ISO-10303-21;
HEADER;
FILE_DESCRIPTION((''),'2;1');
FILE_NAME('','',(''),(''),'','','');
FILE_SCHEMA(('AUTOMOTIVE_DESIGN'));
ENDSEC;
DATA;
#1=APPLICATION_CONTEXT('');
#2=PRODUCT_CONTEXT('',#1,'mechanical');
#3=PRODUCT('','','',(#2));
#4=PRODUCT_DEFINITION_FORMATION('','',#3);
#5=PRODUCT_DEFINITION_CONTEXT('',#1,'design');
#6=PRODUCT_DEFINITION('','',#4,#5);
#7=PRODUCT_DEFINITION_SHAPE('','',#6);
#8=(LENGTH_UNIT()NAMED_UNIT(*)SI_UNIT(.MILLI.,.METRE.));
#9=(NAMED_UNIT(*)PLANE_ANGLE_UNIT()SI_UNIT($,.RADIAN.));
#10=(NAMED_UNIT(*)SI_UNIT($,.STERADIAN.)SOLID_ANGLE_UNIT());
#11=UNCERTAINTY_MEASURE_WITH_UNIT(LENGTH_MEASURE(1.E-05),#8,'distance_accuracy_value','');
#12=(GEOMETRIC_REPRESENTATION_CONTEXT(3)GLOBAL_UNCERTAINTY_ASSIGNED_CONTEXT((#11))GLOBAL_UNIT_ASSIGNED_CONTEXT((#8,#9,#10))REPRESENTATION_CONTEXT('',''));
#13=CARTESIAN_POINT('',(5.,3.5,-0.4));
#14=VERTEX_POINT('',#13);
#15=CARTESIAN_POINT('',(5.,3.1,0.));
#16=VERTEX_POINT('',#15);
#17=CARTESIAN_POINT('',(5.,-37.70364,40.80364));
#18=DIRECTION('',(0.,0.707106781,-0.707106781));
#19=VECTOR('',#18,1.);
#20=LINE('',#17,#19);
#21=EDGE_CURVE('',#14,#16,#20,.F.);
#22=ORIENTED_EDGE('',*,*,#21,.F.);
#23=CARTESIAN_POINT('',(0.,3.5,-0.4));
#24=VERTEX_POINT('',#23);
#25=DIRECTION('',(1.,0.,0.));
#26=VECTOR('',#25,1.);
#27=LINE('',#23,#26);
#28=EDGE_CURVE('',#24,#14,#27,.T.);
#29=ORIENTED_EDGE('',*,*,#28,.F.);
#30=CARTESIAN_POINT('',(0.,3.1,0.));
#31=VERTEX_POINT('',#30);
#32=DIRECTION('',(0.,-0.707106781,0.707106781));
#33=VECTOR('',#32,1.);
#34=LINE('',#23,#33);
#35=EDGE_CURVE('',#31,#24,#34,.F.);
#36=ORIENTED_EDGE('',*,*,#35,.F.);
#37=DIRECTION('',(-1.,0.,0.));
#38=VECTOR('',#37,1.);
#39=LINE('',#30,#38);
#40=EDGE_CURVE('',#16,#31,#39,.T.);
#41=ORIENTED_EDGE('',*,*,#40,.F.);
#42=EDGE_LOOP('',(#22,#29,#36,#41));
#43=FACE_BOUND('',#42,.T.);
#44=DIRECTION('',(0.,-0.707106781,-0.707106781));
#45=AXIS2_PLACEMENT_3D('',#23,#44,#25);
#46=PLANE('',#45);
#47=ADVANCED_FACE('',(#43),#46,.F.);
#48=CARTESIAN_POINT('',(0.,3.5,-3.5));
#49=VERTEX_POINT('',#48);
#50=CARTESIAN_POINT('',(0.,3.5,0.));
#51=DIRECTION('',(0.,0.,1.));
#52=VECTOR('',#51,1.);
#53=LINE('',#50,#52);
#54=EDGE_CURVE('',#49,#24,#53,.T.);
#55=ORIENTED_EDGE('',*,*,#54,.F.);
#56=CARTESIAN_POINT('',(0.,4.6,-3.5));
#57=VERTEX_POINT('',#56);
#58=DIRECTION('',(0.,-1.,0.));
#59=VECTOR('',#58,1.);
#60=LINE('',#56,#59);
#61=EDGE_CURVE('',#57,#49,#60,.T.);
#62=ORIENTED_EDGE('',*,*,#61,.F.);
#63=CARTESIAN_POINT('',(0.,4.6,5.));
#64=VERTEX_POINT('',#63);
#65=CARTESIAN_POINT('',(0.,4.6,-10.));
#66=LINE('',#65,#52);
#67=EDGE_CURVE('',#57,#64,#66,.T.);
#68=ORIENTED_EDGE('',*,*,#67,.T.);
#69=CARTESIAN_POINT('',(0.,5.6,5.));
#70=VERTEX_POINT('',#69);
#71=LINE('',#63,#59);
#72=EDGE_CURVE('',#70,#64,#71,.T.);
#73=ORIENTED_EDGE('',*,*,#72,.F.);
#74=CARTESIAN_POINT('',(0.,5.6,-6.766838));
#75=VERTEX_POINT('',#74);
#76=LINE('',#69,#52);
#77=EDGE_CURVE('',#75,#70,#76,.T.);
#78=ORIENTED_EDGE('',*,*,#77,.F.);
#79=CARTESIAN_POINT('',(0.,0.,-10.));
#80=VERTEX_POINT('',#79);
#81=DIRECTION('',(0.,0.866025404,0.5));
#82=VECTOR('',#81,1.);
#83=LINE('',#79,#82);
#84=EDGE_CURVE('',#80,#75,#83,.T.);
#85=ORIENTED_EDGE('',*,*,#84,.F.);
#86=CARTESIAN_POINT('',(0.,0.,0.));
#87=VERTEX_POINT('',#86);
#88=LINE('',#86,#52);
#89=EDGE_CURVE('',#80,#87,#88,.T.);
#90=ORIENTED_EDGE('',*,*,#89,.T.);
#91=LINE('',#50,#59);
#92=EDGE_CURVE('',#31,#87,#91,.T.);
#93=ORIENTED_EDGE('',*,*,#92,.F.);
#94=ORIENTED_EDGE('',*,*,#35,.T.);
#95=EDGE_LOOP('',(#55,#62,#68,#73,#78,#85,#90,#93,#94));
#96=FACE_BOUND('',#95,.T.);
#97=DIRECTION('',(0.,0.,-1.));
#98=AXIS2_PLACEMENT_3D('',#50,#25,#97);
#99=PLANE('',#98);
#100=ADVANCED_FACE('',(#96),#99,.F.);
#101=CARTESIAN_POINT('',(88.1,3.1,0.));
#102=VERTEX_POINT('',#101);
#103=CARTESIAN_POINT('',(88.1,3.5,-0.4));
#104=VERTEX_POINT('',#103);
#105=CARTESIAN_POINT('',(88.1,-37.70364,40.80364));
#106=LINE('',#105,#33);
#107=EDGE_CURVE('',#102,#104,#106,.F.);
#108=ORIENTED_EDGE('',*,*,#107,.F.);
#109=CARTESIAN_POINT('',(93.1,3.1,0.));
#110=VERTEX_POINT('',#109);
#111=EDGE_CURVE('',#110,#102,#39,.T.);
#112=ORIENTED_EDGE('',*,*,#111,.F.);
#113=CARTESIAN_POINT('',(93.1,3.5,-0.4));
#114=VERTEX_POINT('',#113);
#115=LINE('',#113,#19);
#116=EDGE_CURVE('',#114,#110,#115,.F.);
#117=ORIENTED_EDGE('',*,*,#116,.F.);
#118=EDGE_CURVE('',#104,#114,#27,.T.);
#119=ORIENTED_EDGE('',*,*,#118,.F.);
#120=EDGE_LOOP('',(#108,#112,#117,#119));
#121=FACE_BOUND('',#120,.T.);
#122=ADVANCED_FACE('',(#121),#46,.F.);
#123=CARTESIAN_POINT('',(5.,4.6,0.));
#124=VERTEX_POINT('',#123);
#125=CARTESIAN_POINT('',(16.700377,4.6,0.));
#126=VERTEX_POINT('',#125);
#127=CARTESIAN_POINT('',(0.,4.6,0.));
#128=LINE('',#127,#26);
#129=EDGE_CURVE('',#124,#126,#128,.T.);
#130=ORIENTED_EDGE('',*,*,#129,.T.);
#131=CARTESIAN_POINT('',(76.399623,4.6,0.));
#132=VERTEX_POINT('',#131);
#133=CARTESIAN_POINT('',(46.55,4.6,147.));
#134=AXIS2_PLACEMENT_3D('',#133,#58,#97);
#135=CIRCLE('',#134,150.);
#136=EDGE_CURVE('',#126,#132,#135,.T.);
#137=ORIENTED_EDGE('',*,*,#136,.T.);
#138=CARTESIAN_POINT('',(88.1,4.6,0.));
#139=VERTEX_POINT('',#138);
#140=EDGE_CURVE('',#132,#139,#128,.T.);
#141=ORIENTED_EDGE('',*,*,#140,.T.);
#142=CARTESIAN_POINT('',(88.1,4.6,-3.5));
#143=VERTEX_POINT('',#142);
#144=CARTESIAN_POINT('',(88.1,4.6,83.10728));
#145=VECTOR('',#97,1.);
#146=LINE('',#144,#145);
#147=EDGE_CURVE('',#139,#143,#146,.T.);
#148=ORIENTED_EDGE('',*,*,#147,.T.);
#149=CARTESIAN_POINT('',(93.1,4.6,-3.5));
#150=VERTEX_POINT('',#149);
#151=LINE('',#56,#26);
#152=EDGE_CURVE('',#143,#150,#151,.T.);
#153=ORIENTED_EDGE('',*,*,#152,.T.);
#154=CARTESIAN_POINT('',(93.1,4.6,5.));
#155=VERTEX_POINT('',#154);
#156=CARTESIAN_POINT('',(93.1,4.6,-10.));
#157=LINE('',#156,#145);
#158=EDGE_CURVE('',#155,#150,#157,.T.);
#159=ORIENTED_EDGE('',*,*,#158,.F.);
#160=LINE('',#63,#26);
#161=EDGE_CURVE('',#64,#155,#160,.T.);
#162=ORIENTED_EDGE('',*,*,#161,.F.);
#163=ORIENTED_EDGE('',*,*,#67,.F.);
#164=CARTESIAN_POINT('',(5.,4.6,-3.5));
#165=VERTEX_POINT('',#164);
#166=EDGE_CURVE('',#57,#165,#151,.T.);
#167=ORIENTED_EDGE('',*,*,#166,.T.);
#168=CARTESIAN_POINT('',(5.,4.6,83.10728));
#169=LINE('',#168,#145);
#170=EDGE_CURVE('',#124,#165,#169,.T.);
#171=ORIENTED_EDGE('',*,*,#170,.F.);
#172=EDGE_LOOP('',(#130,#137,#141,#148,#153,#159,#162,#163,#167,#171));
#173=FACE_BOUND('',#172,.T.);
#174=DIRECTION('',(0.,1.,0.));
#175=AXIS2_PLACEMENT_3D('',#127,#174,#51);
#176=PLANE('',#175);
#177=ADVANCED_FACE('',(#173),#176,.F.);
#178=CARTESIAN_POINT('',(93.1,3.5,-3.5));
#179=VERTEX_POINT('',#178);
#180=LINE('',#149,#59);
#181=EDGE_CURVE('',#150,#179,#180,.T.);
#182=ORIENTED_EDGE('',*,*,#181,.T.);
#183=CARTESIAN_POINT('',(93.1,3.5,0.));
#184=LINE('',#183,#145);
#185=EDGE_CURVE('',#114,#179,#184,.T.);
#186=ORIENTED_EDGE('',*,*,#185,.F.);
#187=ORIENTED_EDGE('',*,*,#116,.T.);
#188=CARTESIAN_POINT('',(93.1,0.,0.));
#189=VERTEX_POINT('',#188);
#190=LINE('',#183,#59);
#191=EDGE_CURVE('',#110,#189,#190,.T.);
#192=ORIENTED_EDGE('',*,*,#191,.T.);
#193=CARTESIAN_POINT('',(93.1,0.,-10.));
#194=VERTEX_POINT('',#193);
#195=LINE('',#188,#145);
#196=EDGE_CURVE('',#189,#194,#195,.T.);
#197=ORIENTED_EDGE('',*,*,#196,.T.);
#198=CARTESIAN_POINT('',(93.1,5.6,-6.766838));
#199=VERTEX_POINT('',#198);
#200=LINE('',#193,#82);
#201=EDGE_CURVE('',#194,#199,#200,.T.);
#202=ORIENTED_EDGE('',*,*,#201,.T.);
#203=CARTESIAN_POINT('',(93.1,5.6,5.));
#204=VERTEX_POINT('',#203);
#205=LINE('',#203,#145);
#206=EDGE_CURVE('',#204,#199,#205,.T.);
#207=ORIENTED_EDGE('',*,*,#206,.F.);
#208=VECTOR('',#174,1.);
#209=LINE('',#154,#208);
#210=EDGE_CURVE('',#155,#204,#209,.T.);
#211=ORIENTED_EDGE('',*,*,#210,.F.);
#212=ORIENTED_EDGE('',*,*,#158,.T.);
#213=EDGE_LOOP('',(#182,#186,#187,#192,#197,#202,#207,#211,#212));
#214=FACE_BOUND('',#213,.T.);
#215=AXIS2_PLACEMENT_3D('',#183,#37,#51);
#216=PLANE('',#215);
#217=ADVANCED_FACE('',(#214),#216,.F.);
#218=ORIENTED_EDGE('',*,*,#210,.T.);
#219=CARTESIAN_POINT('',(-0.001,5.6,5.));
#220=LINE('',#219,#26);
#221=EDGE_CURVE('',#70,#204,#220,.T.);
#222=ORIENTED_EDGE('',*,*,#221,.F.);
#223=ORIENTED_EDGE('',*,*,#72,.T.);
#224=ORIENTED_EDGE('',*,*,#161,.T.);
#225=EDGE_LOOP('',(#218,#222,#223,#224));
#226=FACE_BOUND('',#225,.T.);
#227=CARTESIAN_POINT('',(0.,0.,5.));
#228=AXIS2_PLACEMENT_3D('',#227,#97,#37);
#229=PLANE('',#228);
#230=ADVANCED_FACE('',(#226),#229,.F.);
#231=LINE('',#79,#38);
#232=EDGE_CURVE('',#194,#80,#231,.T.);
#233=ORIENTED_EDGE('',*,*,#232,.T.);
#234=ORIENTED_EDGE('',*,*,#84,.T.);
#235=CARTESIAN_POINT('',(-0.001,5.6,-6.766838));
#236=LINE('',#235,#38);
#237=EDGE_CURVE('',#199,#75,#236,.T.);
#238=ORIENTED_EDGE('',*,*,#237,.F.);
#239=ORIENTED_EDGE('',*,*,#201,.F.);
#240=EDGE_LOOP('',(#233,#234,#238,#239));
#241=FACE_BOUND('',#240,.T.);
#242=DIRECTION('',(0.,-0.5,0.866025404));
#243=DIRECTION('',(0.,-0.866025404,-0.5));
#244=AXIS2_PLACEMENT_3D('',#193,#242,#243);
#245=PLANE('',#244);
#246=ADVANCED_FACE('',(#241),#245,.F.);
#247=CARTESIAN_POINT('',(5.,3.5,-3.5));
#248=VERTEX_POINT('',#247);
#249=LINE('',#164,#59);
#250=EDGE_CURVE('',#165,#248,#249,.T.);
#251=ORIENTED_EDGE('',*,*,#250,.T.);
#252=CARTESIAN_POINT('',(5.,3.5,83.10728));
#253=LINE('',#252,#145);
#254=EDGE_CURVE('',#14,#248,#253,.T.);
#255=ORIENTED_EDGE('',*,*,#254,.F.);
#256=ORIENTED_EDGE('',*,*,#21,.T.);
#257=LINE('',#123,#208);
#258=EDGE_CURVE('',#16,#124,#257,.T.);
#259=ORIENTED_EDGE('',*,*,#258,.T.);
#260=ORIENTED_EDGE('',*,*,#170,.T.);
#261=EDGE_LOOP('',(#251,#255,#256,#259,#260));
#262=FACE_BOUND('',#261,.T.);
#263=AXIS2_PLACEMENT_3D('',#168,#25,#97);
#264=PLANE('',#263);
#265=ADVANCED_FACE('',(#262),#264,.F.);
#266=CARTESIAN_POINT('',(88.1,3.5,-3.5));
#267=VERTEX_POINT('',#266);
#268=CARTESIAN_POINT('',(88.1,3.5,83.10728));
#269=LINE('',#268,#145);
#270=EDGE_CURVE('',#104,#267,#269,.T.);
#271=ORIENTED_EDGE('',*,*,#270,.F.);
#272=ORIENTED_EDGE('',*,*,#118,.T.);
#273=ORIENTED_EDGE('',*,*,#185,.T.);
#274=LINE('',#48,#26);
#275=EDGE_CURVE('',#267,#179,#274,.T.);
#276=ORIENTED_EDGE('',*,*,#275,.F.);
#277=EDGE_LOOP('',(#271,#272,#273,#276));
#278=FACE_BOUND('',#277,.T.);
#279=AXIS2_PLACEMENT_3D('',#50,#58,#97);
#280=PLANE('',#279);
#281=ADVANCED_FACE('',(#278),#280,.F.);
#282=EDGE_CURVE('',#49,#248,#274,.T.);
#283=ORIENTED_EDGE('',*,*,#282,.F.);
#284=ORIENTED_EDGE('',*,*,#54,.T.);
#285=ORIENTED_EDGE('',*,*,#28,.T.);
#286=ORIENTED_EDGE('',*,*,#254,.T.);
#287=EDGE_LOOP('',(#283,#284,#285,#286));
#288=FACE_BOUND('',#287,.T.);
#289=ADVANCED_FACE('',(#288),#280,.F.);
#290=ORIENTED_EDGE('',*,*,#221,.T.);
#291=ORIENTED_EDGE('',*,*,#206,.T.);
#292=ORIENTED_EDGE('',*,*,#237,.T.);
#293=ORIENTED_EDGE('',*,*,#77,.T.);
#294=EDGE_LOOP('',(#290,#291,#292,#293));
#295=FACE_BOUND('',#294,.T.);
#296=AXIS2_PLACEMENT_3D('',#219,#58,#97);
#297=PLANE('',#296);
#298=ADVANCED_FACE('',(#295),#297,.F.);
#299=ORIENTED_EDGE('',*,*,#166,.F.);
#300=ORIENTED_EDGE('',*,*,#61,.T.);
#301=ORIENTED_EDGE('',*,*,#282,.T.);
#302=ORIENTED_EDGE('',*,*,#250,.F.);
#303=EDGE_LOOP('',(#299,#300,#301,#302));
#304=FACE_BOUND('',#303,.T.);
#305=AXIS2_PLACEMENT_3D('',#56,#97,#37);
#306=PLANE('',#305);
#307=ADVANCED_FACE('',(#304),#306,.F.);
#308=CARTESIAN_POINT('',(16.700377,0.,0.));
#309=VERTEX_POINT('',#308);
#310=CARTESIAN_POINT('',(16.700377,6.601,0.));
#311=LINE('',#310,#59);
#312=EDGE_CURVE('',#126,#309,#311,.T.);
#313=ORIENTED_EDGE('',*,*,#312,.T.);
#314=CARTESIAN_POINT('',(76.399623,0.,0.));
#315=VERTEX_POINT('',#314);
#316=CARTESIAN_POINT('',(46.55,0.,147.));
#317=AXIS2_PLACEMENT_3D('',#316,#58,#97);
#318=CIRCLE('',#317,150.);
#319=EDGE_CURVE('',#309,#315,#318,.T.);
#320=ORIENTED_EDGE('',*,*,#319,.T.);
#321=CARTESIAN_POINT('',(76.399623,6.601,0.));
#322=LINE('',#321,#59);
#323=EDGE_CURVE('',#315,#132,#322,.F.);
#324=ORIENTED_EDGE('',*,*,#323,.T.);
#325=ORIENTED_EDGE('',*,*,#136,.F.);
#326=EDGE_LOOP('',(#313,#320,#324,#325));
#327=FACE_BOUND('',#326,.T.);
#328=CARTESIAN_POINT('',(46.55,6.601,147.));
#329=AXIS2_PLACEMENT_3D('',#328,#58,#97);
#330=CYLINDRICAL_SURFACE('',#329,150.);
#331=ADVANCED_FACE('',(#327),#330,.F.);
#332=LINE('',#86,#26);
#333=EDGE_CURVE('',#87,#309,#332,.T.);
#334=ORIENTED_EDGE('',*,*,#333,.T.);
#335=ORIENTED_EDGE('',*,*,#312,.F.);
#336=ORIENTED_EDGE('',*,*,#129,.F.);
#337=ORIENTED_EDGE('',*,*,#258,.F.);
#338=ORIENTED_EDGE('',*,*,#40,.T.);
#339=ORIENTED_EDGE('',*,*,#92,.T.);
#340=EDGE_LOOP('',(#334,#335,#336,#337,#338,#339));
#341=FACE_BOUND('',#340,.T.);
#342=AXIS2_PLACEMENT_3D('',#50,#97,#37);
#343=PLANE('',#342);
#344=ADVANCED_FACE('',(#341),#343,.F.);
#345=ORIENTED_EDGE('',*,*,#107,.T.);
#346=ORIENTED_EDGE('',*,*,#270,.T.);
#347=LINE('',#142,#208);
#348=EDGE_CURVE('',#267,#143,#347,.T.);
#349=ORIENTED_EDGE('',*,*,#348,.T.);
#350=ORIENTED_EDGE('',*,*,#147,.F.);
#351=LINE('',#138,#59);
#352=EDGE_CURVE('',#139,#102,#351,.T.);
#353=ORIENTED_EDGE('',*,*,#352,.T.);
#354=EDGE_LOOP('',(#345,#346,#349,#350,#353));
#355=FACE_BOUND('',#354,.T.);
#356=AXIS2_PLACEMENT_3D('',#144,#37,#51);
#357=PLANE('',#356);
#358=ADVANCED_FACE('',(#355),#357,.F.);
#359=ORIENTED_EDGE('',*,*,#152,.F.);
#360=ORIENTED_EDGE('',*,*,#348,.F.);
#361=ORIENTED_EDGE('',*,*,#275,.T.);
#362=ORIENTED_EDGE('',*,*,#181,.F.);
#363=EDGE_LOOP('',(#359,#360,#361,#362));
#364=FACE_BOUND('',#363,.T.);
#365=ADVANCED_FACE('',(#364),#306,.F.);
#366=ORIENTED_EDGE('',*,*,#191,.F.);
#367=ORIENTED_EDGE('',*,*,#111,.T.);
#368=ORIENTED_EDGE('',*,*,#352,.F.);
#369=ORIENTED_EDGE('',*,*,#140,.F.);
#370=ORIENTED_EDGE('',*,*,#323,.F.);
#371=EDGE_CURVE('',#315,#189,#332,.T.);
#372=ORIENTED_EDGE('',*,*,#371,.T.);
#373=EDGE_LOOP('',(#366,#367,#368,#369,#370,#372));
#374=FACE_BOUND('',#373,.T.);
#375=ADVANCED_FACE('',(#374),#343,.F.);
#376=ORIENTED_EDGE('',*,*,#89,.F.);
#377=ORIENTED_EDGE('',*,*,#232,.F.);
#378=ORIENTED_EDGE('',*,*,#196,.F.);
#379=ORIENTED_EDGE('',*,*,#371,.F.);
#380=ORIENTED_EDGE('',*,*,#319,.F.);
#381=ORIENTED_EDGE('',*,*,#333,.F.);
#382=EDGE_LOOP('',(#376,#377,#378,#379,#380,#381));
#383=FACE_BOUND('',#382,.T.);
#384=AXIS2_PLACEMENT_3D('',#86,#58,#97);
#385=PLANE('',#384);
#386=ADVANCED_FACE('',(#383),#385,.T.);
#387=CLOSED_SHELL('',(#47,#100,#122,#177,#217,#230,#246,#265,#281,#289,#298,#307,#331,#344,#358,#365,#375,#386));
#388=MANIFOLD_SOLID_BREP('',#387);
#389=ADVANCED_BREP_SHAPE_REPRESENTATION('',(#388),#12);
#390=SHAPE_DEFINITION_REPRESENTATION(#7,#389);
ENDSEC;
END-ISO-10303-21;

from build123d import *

# Parameters (mm, degrees)
SKETCH_2_W                  = 93.1
SKETCH_2_H                  = 10
EXTRUDE_1_DEPTH             = 3.5
SKETCH_4_W                  = 93.1
SKETCH_4_H                  = 6.5
EXTRUDE_2_DEPTH             = 1.1
SKETCH_5_W                  = 93.1
SKETCH_5_H                  = 10
EXTRUDE_3_DEPTH             = 2
CUT_EXTRUDE_1_DEPTH         = 94.867832616
SKETCH_7_W                  = 83.1
SKETCH_7_H                  = 1.1
EXTRUDE_4_DEPTH             = 3.5
CHAMFER_1_SIZE              = 0.4
CUT_EXTRUDE_2_REACH         = 95.868
SKETCH_8_R                  = 150
SKETCH_9_W                  = 93.1
SKETCH_9_H                  = 2
EXTRUDE_5_DEPTH             = 5
EXTRUDE_5_DIRECTION_2_REACH = 95.868
CUT_EXTRUDE_3_REACH         = 95.868
SKETCH_10_W                 = 11.766838493
SKETCH_10_H                 = 1


with BuildPart() as part:
    # 草图2 → 凸台-拉伸1 (new body)
    with BuildSketch(Plane(origin=(0, 0, 0), x_dir=(1, 0, 0), z_dir=(0, 1, 0))):
        with Locations((46.55, 5)):
            Rectangle(SKETCH_2_W, SKETCH_2_H)
    extrude(amount=EXTRUDE_1_DEPTH)

    # 草图4 → 凸台-拉伸2 (add)
    with BuildSketch(Plane(origin=(0, 3.5, 0), x_dir=(1, 0, 0), z_dir=(0, 1, 0))):
        with Locations((46.55, 6.75)):
            Rectangle(SKETCH_4_W, SKETCH_4_H)
    extrude(amount=EXTRUDE_2_DEPTH)

    # 草图5 → 凸台-拉伸3 (add)
    with BuildSketch(Plane(origin=(0, 4.6, 0), x_dir=(1, 0, 0), z_dir=(0, 1, 0))):
        with Locations((46.55, 5)):
            Rectangle(SKETCH_5_W, SKETCH_5_H)
    extrude(amount=EXTRUDE_3_DEPTH)

    # 草图6 → 切除-拉伸1 (cut, through all)
    with BuildSketch(Plane.ZY):
        Polygon((-10, 0), (-6.189488223, 6.6), (-10, 6.6), align=None)
    extrude(amount=-CUT_EXTRUDE_1_DEPTH, mode=Mode.SUBTRACT)

    # 草图7 → 凸台-拉伸4 (add)
    with BuildSketch(Plane.XY.offset(-3.5)):
        with Locations((46.55, 4.05)):
            Rectangle(SKETCH_7_W, SKETCH_7_H)
    extrude(amount=EXTRUDE_4_DEPTH)

    # 倒角1
    chamfer_1_edges = [part.edges().sort_by_distance(p)[0] for p in [
        (90.6, 3.5, 0),
        (2.5, 3.5, 0),
    ]]
    chamfer(chamfer_1_edges, length=CHAMFER_1_SIZE)

    # 草图8 → 切除-拉伸2 (cut, up to next)
    with BuildSketch(Plane.XZ, mode=Mode.PRIVATE) as cut_extrude_2_sk1:
        with Locations((46.55, 147)):
            Circle(SKETCH_8_R)
    cut_extrude_2_tool1 = extrude(cut_extrude_2_sk1.sketch, amount=-CUT_EXTRUDE_2_REACH, mode=Mode.PRIVATE) & part.part
    add(cut_extrude_2_tool1.solids().sort_by_distance((46.55, 0, 147))[0], mode=Mode.SUBTRACT)

    # 草图9 → 凸台-拉伸5 (add)
    with BuildSketch(Plane.XY):
        with Locations((46.55, 5.6)):
            Rectangle(SKETCH_9_W, SKETCH_9_H)
    extrude(amount=EXTRUDE_5_DEPTH)

    # 草图9 → 凸台-拉伸5 direction 2 (add, up to next)
    with BuildSketch(Plane.XY, mode=Mode.PRIVATE) as extrude_5_direction_2_sk1:
        with Locations((46.55, 5.6)):
            Rectangle(SKETCH_9_W, SKETCH_9_H)
    extrude_5_direction_2_tool1 = extrude(extrude_5_direction_2_sk1.sketch, amount=-EXTRUDE_5_DIRECTION_2_REACH, mode=Mode.PRIVATE) - part.part
    add(extrude_5_direction_2_tool1.solids().sort_by_distance((46.55, 5.6, 0))[0])

    # 草图10 → 切除-拉伸3 (cut, up to next)
    with BuildSketch(Plane(origin=(93.1, 0, 0), x_dir=(0, 0, -1), z_dir=(1, 0, 0)), mode=Mode.PRIVATE) as cut_extrude_3_sk1:
        with Locations((0.883419247, 6.1)):
            Rectangle(SKETCH_10_W, SKETCH_10_H)
    cut_extrude_3_tool1 = extrude(cut_extrude_3_sk1.sketch, amount=-CUT_EXTRUDE_3_REACH, mode=Mode.PRIVATE) & part.part
    add(cut_extrude_3_tool1.solids().sort_by_distance((93.1, 6.1, -0.883419))[0], mode=Mode.SUBTRACT)


solid = part.part
